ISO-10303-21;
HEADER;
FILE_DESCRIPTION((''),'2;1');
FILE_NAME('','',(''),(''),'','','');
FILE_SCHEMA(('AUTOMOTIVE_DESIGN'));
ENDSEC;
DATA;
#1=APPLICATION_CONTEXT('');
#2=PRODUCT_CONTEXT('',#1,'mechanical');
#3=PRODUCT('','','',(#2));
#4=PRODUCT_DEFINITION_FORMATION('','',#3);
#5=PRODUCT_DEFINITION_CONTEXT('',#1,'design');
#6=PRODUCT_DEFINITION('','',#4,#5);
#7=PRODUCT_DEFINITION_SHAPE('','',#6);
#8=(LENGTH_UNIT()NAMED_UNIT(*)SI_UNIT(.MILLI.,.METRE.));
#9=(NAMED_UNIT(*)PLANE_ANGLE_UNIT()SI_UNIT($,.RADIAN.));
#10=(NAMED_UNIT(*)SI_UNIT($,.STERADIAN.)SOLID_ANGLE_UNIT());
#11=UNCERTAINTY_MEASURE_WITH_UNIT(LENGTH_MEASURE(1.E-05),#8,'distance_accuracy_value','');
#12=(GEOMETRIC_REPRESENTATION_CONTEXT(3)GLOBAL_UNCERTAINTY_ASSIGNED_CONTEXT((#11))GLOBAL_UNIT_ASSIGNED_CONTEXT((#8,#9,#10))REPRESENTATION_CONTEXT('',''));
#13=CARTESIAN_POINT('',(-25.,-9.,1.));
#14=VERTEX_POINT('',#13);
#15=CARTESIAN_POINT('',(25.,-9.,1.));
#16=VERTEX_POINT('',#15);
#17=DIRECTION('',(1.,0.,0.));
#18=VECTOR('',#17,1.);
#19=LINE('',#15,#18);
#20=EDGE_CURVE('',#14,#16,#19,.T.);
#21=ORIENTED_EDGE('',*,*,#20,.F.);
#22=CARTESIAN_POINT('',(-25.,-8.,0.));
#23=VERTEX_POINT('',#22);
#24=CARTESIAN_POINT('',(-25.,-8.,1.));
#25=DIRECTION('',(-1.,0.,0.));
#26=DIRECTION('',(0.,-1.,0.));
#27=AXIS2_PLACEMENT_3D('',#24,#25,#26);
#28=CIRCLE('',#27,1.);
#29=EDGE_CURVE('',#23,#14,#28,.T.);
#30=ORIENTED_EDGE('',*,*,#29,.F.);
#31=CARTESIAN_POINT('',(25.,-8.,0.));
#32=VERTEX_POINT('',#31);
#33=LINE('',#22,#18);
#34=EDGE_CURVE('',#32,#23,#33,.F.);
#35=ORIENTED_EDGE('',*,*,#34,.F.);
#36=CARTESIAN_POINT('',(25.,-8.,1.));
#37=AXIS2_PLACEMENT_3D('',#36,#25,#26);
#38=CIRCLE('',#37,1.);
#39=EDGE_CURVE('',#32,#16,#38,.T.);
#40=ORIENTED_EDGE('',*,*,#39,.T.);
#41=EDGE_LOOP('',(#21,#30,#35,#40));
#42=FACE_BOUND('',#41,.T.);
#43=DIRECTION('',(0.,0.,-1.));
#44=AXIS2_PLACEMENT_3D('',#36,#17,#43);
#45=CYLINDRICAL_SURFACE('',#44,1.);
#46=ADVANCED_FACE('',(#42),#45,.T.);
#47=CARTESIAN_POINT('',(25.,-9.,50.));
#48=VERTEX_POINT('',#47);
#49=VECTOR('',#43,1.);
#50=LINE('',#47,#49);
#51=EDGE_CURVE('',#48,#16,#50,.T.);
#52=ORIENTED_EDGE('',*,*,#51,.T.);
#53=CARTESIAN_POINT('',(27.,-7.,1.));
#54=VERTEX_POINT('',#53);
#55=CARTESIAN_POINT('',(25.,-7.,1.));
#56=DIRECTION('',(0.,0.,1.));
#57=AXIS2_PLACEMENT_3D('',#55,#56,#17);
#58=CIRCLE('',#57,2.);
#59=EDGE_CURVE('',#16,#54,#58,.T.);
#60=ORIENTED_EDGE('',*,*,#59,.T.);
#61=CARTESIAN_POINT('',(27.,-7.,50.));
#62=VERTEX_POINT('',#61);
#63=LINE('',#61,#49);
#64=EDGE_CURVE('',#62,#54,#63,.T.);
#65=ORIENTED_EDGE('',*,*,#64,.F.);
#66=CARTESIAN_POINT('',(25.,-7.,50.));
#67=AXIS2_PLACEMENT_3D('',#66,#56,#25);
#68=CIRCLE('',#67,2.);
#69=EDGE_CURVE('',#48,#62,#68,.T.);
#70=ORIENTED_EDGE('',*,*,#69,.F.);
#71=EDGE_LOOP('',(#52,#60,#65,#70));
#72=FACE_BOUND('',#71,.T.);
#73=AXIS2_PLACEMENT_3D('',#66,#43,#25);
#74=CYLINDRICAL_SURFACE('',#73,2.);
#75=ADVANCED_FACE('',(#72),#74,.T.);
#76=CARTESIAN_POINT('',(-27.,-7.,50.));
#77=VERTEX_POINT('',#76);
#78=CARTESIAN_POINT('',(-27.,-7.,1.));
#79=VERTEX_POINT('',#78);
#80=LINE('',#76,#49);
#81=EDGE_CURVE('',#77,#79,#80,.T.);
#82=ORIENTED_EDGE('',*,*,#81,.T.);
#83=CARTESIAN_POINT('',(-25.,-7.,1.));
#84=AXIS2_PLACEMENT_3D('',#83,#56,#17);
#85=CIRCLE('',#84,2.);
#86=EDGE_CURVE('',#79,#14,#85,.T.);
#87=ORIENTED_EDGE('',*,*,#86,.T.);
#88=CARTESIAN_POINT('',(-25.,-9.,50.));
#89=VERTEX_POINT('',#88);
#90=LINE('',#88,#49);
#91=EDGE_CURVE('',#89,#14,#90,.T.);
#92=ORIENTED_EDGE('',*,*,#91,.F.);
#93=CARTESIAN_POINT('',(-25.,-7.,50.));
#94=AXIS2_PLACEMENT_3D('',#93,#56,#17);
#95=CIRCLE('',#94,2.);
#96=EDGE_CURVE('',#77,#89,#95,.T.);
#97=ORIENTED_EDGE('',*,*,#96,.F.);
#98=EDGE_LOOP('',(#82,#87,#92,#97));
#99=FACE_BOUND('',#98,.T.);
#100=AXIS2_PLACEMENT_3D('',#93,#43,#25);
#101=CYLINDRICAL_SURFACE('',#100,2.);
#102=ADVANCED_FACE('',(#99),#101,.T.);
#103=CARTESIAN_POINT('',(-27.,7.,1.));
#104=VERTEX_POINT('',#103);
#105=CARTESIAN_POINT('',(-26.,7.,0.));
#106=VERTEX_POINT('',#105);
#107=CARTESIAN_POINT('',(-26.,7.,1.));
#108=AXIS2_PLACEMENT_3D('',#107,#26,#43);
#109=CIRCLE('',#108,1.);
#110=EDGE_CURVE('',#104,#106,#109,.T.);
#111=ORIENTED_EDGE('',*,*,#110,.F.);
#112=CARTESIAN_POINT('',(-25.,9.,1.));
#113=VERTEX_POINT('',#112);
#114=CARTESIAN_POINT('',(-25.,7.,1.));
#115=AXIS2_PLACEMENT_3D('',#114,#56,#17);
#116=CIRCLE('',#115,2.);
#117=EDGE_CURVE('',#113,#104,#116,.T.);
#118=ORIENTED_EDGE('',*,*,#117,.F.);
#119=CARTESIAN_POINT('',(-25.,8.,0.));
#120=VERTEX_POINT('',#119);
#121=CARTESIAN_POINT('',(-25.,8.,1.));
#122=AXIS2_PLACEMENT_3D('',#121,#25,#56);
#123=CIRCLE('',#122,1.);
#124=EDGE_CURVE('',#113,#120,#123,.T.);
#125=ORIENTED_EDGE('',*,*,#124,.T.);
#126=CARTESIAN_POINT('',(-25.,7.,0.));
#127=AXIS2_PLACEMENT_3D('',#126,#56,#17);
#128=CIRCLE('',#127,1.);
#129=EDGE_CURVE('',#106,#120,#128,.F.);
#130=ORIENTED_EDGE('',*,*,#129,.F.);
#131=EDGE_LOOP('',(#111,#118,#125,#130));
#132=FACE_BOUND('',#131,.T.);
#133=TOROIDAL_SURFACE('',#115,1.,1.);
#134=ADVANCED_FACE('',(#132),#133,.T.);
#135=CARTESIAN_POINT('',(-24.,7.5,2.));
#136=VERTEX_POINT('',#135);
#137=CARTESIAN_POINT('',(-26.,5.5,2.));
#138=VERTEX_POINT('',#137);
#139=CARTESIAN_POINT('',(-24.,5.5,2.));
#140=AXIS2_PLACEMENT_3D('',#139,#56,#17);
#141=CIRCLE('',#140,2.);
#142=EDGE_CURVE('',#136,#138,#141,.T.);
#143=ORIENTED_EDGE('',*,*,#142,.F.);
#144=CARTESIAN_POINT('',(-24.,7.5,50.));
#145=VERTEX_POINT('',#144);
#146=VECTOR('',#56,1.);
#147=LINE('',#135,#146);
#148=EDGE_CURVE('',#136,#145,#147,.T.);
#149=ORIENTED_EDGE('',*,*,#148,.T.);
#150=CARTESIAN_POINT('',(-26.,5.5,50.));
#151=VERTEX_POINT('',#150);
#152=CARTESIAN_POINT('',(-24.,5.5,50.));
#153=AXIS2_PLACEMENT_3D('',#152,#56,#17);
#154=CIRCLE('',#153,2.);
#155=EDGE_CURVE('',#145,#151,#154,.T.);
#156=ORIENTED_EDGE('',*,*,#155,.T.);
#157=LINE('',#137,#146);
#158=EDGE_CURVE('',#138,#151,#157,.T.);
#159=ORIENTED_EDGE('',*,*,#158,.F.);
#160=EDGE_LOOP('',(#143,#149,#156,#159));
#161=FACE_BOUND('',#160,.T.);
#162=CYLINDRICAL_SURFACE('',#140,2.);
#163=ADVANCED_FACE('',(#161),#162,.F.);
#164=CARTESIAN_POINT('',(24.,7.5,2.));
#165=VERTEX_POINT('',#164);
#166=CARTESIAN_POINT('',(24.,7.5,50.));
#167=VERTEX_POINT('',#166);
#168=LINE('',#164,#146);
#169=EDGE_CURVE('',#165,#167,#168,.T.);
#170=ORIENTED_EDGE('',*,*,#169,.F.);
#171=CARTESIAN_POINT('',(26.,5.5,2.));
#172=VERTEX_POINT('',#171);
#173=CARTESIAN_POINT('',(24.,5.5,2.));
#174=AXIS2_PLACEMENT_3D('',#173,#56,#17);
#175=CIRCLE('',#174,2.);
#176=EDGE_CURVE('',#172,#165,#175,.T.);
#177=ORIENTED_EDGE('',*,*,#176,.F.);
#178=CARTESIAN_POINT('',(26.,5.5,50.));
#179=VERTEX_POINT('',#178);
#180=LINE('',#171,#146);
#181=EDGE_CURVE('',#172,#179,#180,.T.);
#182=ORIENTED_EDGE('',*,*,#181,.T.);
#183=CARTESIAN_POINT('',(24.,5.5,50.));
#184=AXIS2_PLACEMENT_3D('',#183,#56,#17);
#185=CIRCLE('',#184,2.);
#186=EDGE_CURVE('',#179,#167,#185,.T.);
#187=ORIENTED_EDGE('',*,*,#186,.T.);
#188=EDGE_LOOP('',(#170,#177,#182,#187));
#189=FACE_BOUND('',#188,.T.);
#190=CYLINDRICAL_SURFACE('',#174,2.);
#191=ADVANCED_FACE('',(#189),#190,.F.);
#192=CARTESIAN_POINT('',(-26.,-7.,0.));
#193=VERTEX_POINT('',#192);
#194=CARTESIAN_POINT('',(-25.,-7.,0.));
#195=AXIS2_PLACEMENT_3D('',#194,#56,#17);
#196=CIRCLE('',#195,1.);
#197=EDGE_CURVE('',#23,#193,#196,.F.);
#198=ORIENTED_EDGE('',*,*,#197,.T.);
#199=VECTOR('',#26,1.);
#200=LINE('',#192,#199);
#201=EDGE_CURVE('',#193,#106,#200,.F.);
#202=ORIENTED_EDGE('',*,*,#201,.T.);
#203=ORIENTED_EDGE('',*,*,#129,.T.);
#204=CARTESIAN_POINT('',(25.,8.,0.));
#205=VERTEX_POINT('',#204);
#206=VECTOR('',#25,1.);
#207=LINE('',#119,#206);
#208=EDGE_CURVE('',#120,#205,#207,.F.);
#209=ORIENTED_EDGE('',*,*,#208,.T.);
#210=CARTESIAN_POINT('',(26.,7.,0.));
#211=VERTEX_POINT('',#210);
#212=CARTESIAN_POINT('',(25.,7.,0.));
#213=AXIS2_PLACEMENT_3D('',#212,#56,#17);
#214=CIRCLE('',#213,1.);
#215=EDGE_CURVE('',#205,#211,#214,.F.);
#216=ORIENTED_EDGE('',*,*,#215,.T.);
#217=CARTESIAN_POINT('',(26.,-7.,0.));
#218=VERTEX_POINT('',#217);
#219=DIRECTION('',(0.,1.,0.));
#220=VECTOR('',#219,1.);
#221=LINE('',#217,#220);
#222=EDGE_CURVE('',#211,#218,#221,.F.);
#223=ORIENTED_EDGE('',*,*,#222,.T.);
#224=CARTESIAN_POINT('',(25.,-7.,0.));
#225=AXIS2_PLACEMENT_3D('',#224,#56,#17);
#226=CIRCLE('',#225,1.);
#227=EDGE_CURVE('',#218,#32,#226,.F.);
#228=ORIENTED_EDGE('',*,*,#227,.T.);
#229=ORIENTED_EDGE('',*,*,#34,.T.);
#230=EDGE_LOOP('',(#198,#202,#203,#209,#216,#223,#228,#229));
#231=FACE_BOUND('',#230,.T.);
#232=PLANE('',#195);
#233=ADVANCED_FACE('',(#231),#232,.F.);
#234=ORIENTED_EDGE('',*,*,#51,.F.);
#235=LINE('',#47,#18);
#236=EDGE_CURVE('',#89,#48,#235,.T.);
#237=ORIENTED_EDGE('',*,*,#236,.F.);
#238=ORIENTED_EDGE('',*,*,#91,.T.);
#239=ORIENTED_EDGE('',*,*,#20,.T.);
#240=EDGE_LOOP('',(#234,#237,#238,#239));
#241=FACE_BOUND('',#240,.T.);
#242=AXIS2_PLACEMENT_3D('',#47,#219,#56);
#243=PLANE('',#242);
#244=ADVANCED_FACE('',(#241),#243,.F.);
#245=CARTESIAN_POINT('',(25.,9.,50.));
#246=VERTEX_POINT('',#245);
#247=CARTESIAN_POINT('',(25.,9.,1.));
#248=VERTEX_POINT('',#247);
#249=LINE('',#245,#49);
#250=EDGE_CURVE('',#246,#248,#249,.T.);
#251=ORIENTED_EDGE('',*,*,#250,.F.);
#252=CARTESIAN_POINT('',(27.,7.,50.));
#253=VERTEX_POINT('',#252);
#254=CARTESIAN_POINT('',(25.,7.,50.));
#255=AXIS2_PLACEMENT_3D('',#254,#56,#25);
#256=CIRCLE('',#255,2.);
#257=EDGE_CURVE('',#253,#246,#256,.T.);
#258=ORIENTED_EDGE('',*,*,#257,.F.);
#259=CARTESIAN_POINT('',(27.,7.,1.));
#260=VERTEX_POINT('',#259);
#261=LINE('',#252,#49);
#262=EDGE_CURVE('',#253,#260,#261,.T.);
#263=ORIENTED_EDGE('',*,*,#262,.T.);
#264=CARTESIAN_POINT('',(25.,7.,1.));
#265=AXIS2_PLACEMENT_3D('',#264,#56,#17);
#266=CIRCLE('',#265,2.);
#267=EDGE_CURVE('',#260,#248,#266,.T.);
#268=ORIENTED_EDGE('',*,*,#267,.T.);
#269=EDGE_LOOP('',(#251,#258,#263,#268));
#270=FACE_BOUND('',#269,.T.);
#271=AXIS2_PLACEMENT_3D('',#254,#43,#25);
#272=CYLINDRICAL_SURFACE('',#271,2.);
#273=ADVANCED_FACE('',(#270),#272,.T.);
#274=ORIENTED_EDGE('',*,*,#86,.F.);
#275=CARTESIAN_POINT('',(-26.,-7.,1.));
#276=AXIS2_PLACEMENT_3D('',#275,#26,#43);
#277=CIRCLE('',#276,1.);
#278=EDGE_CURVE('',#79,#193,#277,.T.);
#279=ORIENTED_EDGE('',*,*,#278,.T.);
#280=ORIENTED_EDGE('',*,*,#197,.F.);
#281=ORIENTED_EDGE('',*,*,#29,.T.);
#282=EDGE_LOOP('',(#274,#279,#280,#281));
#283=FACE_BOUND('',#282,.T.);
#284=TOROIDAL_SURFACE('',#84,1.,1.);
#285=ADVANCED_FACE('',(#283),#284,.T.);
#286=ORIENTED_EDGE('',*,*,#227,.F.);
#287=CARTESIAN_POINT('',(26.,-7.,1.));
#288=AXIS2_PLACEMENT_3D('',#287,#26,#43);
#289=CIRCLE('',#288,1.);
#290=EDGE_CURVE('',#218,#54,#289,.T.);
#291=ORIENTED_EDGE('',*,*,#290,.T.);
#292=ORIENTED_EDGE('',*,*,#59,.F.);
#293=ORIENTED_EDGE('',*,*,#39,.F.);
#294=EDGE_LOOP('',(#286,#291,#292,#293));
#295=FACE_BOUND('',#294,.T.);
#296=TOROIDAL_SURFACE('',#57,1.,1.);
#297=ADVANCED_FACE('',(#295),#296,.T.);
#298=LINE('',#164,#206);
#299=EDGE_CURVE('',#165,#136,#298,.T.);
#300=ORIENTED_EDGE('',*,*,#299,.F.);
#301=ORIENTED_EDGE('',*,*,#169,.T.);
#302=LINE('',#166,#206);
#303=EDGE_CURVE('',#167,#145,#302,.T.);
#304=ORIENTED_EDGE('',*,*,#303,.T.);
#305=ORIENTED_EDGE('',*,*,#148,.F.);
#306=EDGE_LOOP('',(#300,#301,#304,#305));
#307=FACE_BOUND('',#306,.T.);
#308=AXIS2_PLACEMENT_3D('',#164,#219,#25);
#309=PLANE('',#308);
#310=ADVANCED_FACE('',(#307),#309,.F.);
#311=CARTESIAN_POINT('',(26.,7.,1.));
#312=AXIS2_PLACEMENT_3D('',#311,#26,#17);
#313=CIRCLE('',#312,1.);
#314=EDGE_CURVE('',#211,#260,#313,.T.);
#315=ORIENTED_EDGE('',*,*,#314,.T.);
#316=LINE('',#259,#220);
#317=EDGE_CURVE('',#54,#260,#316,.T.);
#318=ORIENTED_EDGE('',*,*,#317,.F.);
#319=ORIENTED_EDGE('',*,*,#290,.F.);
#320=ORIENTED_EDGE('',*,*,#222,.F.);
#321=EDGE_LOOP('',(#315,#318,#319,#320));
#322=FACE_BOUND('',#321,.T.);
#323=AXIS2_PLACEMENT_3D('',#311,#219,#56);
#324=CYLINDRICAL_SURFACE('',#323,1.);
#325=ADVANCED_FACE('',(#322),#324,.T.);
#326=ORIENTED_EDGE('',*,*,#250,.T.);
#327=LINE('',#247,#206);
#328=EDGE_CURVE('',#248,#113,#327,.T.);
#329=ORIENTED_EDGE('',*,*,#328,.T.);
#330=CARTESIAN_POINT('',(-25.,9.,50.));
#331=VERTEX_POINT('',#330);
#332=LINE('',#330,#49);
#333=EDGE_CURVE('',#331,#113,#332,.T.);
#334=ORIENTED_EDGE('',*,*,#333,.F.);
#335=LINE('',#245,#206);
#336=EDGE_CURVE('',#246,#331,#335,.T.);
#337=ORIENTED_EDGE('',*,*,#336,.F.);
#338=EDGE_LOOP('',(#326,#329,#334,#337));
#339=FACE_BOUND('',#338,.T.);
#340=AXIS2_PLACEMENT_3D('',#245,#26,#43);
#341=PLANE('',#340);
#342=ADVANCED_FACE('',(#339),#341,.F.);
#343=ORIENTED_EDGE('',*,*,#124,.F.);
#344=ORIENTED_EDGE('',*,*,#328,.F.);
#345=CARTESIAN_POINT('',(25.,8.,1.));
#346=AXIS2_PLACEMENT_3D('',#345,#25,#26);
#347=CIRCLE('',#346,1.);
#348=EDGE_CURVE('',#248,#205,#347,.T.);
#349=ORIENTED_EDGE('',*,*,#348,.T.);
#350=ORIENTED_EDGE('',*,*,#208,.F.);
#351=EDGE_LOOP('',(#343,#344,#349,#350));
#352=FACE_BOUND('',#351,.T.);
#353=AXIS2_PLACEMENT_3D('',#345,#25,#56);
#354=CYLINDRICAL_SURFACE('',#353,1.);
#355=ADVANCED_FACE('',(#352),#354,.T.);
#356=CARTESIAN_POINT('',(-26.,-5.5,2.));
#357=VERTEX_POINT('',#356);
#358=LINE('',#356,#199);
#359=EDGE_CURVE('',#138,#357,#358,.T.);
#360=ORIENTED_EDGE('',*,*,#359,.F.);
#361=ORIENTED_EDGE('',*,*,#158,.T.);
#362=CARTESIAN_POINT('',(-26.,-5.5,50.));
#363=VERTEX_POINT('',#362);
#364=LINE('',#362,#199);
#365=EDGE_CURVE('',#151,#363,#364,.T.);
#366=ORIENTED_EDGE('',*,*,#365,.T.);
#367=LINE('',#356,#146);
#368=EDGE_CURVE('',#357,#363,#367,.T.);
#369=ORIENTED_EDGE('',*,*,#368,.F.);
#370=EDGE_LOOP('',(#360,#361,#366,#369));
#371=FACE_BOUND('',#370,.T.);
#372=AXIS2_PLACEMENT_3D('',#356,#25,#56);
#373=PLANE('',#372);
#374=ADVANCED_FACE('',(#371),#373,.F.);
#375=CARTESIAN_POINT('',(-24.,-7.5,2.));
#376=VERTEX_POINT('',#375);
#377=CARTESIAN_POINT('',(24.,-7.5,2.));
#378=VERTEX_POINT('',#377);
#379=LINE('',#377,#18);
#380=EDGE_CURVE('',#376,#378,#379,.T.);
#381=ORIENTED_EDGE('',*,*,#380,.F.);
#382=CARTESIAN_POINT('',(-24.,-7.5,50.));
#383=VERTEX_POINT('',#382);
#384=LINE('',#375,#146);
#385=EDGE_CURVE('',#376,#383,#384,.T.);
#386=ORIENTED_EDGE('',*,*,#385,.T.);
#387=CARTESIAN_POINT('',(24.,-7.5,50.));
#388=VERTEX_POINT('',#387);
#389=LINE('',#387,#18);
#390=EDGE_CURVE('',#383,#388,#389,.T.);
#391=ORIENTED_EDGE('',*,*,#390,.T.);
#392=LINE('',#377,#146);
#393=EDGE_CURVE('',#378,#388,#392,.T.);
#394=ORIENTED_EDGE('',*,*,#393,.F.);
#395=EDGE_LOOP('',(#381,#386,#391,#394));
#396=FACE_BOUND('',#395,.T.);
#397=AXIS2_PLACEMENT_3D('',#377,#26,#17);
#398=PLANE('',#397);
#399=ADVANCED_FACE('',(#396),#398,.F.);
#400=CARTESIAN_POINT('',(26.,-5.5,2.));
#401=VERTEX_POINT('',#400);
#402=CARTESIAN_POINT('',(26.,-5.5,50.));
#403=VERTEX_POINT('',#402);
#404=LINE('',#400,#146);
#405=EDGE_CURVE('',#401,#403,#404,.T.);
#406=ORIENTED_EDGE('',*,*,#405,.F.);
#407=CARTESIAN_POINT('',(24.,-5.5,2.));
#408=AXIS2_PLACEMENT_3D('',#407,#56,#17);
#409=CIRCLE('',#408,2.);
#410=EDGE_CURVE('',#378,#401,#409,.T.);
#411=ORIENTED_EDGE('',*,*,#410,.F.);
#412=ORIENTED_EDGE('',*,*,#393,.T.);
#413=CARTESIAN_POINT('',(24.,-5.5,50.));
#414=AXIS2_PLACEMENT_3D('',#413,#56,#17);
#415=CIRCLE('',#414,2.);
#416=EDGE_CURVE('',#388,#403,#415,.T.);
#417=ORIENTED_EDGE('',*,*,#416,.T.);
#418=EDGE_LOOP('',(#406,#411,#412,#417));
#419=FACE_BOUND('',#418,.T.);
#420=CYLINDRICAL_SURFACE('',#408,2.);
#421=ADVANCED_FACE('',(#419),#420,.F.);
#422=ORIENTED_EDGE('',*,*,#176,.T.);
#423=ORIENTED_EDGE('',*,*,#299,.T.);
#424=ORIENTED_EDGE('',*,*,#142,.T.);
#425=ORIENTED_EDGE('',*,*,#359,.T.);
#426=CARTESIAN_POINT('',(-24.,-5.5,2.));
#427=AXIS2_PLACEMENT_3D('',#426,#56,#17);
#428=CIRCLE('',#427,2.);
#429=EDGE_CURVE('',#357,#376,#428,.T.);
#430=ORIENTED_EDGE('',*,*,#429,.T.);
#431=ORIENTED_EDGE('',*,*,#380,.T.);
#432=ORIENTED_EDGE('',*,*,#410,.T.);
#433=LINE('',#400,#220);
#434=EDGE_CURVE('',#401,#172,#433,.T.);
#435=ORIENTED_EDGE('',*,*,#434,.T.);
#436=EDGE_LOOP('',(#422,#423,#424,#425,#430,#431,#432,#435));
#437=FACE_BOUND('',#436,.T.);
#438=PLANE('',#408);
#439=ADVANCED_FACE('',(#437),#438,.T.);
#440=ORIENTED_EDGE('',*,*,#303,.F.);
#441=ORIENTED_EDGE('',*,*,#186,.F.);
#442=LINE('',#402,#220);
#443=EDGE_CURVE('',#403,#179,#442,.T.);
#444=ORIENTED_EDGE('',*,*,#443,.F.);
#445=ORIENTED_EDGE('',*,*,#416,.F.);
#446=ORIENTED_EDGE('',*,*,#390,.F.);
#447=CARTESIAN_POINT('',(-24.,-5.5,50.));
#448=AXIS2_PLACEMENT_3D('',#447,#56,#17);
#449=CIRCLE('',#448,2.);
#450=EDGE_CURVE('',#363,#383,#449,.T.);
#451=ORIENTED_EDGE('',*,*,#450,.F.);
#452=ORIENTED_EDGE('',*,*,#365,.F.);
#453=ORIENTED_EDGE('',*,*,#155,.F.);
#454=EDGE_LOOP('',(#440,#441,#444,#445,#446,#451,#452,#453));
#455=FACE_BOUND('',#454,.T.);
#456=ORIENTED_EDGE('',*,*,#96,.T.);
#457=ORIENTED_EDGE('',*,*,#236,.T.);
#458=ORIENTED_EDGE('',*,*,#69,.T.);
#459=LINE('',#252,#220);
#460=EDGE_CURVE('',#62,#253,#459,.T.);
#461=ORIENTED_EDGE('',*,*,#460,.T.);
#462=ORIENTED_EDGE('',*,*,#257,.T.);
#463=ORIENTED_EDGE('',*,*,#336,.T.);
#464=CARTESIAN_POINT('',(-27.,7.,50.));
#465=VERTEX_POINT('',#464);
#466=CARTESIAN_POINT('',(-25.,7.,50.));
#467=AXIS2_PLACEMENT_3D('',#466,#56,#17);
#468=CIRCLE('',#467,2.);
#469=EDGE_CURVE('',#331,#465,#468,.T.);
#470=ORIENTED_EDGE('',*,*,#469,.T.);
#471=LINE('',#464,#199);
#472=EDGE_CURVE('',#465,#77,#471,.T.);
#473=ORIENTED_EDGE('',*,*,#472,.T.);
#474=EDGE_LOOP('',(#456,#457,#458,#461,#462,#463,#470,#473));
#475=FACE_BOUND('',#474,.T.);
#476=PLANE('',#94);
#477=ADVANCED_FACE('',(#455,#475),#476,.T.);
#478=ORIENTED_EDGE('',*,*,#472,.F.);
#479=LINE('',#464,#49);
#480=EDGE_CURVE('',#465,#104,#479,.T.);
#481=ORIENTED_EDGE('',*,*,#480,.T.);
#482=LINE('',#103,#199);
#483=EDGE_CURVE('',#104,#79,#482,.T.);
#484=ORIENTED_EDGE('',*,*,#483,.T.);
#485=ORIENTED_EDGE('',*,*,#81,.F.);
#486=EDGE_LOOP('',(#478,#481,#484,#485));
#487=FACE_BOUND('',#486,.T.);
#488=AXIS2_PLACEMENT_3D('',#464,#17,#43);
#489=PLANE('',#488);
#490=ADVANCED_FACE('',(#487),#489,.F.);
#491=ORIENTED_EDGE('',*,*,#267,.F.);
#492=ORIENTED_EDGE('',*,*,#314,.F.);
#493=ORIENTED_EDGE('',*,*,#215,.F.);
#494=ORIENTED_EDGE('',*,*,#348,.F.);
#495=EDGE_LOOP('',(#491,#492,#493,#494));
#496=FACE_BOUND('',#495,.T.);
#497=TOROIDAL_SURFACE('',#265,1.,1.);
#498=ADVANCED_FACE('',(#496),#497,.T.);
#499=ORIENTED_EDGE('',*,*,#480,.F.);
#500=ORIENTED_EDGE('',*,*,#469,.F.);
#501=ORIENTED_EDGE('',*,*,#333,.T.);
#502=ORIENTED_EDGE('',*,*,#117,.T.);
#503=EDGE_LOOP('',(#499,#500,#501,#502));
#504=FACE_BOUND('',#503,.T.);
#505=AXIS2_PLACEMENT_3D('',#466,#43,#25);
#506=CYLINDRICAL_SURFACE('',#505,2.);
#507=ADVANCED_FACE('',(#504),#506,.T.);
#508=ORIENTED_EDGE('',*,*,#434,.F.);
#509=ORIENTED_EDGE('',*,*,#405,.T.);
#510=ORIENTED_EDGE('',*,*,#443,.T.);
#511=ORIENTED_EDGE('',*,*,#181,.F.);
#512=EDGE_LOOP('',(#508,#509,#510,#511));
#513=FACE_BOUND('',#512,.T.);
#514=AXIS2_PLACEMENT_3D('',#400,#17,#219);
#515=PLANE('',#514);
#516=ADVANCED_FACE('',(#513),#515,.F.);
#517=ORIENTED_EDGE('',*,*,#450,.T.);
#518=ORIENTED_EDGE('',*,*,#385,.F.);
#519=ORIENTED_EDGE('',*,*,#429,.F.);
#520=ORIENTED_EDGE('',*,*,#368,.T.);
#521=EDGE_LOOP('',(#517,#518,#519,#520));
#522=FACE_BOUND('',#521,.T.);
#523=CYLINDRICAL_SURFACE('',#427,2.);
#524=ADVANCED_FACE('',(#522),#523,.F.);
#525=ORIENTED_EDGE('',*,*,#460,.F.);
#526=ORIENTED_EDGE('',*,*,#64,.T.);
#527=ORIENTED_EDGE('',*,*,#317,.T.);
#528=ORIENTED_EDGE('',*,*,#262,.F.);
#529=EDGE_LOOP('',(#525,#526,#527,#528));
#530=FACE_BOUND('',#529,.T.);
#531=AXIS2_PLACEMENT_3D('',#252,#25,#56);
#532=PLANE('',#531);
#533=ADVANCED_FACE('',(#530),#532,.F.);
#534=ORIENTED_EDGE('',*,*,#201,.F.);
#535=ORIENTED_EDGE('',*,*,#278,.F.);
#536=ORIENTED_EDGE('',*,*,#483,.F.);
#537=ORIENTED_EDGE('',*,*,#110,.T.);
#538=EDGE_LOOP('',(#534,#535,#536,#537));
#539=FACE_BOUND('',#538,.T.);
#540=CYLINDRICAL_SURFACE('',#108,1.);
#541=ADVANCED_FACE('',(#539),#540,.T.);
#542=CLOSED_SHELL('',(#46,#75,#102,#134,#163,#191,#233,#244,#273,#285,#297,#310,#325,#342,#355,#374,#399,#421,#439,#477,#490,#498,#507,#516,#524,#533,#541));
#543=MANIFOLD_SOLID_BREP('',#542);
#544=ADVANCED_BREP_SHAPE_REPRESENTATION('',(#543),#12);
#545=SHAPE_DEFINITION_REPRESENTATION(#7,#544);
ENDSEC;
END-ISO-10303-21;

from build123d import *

# Parameters (mm, degrees)
BOSS_EXTRUDE1_DEPTH = 50
CUT_EXTRUDE1_DEPTH  = 48
FILLET1_R           = 1


with BuildPart() as part:
    # Sketch1 → Boss-Extrude1 (new body)
    with BuildSketch(Plane.XY):
        with BuildLine():
            Line((25, 9), (-25, 9))
            ThreePointArc((-25, 9), (-26.414213562, 8.414213562), (-27, 7))
            Line((-27, 7), (-27, -7))
            ThreePointArc((-27, -7), (-26.414213562, -8.414213562), (-25, -9))
            Line((-25, -9), (25, -9))
            ThreePointArc((25, -9), (26.414213562, -8.414213562), (27, -7))
            Line((27, -7), (27, 7))
            ThreePointArc((27, 7), (26.414213562, 8.414213562), (25, 9))
        make_face()
    extrude(amount=BOSS_EXTRUDE1_DEPTH)

    # Sketch2 → Cut-Extrude1 (cut)
    with BuildSketch(Plane.XY.offset(50)):
        with BuildLine():
            Line((24, -7.5), (-24, -7.5))
            ThreePointArc((-24, -7.5), (-25.414213562, -6.914213562), (-26, -5.5))
            Line((-26, -5.5), (-26, 5.5))
            ThreePointArc((-26, 5.5), (-25.414213562, 6.914213562), (-24, 7.5))
            Line((-24, 7.5), (24, 7.5))
            ThreePointArc((24, 7.5), (25.414213562, 6.914213562), (26, 5.5))
            Line((26, 5.5), (26, -5.5))
            ThreePointArc((26, -5.5), (25.414213562, -6.914213562), (24, -7.5))
        make_face()
    extrude(amount=-CUT_EXTRUDE1_DEPTH, mode=Mode.SUBTRACT)

    # Fillet1
    fillet1_edges = [part.edges().sort_by_distance(p)[0] for p in [
        (0, -9, 0),
        (-26.414213562, -8.414213562, 0),
        (-27, 0, 0),
        (-26.414213562, 8.414213562, 0),
        (0, 9, 0),
        (26.414213562, 8.414213562, 0),
        (27, 0, 0),
        (26.414213562, -8.414213562, 0),
    ]]
    fillet(fillet1_edges, radius=FILLET1_R)


solid = part.part
